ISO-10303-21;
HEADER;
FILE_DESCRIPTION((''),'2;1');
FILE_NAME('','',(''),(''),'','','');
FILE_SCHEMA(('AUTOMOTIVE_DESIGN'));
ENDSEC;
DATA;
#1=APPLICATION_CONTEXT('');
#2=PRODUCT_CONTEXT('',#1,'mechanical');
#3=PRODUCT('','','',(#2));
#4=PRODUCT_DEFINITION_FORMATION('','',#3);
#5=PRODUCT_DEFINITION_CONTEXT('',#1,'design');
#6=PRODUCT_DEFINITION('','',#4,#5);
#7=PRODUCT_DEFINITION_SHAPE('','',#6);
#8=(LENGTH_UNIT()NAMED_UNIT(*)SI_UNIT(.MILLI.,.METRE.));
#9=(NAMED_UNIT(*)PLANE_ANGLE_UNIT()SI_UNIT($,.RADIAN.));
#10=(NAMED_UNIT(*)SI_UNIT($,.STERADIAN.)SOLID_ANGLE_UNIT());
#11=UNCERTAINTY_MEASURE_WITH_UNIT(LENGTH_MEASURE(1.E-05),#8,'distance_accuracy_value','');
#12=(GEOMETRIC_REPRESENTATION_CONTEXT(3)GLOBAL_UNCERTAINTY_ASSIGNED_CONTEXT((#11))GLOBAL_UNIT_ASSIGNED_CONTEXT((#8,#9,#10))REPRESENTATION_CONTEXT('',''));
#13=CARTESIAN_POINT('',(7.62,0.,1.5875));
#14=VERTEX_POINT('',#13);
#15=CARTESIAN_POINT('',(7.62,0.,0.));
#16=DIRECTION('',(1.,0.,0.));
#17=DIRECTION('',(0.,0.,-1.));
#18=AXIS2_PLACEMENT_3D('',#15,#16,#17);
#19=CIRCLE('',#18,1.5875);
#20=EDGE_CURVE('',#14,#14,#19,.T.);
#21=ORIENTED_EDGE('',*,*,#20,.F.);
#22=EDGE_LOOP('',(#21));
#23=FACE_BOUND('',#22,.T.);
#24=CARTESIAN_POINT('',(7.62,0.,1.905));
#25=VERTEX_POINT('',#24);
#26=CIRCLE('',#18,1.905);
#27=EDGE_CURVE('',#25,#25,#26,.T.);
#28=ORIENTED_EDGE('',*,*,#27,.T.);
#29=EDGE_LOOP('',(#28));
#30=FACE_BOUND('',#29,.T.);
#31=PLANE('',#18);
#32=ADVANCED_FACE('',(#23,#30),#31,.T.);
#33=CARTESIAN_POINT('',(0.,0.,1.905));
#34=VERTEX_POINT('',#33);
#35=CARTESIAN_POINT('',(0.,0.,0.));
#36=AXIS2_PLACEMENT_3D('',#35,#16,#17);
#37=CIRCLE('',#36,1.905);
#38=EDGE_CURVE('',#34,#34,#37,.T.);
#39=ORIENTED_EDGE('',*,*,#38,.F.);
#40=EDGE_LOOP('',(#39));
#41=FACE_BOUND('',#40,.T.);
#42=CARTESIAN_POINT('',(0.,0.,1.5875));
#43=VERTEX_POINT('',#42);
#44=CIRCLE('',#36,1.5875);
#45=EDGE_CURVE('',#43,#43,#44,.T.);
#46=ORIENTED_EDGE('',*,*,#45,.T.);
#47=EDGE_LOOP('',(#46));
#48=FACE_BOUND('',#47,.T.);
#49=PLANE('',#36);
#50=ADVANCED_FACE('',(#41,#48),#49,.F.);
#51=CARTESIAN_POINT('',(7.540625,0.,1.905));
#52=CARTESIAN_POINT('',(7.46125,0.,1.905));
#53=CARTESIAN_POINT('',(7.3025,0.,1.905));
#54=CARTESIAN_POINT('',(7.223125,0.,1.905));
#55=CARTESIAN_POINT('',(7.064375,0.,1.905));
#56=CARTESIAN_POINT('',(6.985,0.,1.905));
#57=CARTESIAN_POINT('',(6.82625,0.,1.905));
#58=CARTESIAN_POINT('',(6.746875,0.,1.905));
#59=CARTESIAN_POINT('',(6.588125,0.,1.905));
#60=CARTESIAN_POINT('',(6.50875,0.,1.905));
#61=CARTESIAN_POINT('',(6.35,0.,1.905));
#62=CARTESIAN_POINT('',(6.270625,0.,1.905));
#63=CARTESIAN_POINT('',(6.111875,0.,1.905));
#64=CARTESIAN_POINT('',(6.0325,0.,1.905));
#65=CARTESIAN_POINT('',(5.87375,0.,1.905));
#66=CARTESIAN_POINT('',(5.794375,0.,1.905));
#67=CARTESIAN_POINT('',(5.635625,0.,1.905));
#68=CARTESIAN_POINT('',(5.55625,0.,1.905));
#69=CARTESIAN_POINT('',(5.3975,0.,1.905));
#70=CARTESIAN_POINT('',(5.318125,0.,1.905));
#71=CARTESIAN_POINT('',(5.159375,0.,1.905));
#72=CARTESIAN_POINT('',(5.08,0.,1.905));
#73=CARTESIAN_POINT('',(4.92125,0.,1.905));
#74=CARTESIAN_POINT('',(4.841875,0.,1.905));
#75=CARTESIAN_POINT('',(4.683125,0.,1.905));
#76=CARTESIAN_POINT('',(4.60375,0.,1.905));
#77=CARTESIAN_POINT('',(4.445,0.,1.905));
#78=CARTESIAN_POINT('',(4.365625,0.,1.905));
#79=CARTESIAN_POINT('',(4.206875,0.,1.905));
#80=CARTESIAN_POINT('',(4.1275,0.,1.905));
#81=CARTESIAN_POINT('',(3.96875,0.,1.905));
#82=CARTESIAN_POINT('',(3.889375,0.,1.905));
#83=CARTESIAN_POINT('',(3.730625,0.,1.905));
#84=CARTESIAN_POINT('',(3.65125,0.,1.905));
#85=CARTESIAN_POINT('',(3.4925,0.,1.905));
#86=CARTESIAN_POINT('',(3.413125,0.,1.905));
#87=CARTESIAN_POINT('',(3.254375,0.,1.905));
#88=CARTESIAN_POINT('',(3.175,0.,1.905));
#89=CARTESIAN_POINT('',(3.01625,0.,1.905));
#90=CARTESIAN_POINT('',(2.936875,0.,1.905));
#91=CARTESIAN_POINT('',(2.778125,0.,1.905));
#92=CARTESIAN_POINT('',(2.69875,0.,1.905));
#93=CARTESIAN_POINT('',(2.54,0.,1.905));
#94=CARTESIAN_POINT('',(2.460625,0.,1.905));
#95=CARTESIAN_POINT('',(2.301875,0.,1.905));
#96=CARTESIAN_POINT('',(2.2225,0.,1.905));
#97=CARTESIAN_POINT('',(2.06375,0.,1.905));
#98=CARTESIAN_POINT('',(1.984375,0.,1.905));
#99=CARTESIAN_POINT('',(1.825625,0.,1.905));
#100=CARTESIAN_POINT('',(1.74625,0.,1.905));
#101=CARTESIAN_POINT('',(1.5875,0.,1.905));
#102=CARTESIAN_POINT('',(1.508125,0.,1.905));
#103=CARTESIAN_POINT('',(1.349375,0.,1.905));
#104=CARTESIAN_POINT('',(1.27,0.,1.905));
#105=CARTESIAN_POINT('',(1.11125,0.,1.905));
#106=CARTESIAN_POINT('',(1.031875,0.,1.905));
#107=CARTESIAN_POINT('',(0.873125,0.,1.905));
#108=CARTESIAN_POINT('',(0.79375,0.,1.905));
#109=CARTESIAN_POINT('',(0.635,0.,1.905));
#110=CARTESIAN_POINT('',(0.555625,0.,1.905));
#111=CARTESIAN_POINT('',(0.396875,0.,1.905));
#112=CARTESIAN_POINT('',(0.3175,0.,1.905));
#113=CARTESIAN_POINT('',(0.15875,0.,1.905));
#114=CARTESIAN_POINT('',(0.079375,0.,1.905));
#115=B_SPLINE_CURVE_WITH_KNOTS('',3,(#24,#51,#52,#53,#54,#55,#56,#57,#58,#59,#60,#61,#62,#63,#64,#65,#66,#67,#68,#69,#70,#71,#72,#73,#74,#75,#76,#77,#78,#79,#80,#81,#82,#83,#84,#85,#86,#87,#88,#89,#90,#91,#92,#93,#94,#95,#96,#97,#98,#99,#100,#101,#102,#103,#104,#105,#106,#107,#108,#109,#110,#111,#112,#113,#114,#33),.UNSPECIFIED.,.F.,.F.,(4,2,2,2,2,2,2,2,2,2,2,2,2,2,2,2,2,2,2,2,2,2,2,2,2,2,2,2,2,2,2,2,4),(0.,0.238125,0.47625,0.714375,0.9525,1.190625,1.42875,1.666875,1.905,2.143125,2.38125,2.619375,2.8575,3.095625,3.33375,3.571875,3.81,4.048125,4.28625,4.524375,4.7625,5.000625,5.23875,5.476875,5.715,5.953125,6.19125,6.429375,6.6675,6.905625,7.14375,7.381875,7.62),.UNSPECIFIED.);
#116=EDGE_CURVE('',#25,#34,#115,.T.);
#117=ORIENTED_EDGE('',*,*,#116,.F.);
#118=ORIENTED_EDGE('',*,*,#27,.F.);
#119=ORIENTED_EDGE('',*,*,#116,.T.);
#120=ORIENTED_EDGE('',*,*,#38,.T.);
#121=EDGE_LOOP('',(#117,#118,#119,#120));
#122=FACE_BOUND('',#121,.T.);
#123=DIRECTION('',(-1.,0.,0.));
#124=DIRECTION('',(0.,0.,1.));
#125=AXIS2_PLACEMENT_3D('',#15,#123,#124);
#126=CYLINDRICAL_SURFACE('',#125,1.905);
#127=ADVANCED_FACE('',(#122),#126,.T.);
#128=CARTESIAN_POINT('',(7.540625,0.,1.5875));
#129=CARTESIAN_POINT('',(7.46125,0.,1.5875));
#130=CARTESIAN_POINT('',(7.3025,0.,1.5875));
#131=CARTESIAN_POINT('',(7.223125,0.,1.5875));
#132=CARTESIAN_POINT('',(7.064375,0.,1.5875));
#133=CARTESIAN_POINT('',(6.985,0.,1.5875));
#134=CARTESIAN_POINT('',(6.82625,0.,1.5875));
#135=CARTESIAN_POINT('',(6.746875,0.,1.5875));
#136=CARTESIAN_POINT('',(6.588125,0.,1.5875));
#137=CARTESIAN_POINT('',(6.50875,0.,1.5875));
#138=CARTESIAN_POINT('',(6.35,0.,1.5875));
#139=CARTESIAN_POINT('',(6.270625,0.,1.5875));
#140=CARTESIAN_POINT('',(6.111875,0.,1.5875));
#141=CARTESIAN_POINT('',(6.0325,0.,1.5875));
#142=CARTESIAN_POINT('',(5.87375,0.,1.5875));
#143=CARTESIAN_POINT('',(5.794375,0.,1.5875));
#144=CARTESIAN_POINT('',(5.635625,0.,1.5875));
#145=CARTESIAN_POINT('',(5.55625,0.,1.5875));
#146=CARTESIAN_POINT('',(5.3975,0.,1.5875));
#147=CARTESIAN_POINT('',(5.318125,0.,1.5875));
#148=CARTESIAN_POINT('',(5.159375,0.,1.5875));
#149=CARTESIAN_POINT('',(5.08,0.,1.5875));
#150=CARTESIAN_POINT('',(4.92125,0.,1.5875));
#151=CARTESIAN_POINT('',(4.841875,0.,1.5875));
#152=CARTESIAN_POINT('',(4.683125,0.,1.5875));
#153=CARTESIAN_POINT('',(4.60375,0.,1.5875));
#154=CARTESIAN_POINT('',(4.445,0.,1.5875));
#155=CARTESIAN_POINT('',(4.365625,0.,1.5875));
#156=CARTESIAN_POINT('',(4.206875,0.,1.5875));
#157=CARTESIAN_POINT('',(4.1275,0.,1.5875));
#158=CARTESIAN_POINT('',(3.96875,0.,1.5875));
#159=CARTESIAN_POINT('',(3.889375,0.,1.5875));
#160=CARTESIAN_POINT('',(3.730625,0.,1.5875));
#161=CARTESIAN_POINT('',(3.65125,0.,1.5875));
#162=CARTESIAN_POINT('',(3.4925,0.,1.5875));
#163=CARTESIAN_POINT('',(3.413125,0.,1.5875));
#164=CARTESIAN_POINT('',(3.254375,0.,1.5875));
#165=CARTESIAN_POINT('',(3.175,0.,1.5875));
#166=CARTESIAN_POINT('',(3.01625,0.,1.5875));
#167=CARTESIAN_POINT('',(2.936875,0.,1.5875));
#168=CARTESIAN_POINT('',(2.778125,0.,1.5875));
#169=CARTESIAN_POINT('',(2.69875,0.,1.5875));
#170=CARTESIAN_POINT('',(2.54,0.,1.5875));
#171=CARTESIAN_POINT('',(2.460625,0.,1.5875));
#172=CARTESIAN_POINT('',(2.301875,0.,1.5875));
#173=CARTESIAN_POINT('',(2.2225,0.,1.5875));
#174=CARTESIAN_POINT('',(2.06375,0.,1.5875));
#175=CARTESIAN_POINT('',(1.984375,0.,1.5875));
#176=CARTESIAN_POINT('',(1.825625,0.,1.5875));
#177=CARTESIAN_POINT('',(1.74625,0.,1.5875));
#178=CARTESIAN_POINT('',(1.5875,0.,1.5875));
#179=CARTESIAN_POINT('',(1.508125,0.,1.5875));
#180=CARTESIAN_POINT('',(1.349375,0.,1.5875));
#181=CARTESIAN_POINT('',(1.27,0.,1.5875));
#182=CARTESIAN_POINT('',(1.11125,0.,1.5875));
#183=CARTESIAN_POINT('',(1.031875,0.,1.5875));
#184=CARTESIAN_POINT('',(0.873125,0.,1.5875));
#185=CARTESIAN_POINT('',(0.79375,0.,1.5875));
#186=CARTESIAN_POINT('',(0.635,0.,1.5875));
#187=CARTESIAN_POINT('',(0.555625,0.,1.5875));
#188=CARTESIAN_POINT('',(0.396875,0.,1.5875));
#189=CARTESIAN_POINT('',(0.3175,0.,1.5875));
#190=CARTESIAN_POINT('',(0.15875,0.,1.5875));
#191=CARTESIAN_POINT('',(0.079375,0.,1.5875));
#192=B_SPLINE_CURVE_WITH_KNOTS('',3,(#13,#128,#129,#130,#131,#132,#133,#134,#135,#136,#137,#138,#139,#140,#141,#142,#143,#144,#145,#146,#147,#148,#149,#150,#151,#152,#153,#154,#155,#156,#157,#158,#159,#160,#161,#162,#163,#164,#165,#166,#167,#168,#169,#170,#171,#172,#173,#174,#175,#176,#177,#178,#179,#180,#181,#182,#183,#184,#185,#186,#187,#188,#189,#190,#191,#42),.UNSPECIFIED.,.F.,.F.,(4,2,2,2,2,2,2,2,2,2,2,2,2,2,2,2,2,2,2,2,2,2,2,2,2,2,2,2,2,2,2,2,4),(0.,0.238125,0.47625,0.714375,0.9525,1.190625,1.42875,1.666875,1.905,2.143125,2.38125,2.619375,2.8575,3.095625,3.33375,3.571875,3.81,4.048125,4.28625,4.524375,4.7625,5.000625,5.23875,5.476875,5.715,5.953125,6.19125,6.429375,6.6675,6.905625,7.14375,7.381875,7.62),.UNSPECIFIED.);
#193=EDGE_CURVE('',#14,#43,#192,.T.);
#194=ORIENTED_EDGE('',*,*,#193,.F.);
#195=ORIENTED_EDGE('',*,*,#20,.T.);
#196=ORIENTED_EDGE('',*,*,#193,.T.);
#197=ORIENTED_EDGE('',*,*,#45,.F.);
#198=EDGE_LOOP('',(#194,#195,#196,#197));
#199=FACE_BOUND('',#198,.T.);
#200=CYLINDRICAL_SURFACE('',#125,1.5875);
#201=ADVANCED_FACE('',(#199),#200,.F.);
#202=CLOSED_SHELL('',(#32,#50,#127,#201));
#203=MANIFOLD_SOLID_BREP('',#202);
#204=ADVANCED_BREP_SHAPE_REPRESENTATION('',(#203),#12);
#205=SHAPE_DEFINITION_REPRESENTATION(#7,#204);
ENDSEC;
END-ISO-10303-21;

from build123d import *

# Parameters (mm, degrees)
SKETCH1_R           = 1.905
SKETCH1_R_2         = 1.5875
BOSS_EXTRUDE1_DEPTH = 7.62


with BuildPart() as part:
    # Sketch1 → Boss-Extrude1 (new body)
    with BuildSketch(Plane(origin=(0, 0, 0), x_dir=(0, 0, -1), z_dir=(1, 0, 0))):
        Circle(SKETCH1_R)
        Circle(SKETCH1_R_2, mode=Mode.SUBTRACT)
    extrude(amount=BOSS_EXTRUDE1_DEPTH)


solid = part.part
